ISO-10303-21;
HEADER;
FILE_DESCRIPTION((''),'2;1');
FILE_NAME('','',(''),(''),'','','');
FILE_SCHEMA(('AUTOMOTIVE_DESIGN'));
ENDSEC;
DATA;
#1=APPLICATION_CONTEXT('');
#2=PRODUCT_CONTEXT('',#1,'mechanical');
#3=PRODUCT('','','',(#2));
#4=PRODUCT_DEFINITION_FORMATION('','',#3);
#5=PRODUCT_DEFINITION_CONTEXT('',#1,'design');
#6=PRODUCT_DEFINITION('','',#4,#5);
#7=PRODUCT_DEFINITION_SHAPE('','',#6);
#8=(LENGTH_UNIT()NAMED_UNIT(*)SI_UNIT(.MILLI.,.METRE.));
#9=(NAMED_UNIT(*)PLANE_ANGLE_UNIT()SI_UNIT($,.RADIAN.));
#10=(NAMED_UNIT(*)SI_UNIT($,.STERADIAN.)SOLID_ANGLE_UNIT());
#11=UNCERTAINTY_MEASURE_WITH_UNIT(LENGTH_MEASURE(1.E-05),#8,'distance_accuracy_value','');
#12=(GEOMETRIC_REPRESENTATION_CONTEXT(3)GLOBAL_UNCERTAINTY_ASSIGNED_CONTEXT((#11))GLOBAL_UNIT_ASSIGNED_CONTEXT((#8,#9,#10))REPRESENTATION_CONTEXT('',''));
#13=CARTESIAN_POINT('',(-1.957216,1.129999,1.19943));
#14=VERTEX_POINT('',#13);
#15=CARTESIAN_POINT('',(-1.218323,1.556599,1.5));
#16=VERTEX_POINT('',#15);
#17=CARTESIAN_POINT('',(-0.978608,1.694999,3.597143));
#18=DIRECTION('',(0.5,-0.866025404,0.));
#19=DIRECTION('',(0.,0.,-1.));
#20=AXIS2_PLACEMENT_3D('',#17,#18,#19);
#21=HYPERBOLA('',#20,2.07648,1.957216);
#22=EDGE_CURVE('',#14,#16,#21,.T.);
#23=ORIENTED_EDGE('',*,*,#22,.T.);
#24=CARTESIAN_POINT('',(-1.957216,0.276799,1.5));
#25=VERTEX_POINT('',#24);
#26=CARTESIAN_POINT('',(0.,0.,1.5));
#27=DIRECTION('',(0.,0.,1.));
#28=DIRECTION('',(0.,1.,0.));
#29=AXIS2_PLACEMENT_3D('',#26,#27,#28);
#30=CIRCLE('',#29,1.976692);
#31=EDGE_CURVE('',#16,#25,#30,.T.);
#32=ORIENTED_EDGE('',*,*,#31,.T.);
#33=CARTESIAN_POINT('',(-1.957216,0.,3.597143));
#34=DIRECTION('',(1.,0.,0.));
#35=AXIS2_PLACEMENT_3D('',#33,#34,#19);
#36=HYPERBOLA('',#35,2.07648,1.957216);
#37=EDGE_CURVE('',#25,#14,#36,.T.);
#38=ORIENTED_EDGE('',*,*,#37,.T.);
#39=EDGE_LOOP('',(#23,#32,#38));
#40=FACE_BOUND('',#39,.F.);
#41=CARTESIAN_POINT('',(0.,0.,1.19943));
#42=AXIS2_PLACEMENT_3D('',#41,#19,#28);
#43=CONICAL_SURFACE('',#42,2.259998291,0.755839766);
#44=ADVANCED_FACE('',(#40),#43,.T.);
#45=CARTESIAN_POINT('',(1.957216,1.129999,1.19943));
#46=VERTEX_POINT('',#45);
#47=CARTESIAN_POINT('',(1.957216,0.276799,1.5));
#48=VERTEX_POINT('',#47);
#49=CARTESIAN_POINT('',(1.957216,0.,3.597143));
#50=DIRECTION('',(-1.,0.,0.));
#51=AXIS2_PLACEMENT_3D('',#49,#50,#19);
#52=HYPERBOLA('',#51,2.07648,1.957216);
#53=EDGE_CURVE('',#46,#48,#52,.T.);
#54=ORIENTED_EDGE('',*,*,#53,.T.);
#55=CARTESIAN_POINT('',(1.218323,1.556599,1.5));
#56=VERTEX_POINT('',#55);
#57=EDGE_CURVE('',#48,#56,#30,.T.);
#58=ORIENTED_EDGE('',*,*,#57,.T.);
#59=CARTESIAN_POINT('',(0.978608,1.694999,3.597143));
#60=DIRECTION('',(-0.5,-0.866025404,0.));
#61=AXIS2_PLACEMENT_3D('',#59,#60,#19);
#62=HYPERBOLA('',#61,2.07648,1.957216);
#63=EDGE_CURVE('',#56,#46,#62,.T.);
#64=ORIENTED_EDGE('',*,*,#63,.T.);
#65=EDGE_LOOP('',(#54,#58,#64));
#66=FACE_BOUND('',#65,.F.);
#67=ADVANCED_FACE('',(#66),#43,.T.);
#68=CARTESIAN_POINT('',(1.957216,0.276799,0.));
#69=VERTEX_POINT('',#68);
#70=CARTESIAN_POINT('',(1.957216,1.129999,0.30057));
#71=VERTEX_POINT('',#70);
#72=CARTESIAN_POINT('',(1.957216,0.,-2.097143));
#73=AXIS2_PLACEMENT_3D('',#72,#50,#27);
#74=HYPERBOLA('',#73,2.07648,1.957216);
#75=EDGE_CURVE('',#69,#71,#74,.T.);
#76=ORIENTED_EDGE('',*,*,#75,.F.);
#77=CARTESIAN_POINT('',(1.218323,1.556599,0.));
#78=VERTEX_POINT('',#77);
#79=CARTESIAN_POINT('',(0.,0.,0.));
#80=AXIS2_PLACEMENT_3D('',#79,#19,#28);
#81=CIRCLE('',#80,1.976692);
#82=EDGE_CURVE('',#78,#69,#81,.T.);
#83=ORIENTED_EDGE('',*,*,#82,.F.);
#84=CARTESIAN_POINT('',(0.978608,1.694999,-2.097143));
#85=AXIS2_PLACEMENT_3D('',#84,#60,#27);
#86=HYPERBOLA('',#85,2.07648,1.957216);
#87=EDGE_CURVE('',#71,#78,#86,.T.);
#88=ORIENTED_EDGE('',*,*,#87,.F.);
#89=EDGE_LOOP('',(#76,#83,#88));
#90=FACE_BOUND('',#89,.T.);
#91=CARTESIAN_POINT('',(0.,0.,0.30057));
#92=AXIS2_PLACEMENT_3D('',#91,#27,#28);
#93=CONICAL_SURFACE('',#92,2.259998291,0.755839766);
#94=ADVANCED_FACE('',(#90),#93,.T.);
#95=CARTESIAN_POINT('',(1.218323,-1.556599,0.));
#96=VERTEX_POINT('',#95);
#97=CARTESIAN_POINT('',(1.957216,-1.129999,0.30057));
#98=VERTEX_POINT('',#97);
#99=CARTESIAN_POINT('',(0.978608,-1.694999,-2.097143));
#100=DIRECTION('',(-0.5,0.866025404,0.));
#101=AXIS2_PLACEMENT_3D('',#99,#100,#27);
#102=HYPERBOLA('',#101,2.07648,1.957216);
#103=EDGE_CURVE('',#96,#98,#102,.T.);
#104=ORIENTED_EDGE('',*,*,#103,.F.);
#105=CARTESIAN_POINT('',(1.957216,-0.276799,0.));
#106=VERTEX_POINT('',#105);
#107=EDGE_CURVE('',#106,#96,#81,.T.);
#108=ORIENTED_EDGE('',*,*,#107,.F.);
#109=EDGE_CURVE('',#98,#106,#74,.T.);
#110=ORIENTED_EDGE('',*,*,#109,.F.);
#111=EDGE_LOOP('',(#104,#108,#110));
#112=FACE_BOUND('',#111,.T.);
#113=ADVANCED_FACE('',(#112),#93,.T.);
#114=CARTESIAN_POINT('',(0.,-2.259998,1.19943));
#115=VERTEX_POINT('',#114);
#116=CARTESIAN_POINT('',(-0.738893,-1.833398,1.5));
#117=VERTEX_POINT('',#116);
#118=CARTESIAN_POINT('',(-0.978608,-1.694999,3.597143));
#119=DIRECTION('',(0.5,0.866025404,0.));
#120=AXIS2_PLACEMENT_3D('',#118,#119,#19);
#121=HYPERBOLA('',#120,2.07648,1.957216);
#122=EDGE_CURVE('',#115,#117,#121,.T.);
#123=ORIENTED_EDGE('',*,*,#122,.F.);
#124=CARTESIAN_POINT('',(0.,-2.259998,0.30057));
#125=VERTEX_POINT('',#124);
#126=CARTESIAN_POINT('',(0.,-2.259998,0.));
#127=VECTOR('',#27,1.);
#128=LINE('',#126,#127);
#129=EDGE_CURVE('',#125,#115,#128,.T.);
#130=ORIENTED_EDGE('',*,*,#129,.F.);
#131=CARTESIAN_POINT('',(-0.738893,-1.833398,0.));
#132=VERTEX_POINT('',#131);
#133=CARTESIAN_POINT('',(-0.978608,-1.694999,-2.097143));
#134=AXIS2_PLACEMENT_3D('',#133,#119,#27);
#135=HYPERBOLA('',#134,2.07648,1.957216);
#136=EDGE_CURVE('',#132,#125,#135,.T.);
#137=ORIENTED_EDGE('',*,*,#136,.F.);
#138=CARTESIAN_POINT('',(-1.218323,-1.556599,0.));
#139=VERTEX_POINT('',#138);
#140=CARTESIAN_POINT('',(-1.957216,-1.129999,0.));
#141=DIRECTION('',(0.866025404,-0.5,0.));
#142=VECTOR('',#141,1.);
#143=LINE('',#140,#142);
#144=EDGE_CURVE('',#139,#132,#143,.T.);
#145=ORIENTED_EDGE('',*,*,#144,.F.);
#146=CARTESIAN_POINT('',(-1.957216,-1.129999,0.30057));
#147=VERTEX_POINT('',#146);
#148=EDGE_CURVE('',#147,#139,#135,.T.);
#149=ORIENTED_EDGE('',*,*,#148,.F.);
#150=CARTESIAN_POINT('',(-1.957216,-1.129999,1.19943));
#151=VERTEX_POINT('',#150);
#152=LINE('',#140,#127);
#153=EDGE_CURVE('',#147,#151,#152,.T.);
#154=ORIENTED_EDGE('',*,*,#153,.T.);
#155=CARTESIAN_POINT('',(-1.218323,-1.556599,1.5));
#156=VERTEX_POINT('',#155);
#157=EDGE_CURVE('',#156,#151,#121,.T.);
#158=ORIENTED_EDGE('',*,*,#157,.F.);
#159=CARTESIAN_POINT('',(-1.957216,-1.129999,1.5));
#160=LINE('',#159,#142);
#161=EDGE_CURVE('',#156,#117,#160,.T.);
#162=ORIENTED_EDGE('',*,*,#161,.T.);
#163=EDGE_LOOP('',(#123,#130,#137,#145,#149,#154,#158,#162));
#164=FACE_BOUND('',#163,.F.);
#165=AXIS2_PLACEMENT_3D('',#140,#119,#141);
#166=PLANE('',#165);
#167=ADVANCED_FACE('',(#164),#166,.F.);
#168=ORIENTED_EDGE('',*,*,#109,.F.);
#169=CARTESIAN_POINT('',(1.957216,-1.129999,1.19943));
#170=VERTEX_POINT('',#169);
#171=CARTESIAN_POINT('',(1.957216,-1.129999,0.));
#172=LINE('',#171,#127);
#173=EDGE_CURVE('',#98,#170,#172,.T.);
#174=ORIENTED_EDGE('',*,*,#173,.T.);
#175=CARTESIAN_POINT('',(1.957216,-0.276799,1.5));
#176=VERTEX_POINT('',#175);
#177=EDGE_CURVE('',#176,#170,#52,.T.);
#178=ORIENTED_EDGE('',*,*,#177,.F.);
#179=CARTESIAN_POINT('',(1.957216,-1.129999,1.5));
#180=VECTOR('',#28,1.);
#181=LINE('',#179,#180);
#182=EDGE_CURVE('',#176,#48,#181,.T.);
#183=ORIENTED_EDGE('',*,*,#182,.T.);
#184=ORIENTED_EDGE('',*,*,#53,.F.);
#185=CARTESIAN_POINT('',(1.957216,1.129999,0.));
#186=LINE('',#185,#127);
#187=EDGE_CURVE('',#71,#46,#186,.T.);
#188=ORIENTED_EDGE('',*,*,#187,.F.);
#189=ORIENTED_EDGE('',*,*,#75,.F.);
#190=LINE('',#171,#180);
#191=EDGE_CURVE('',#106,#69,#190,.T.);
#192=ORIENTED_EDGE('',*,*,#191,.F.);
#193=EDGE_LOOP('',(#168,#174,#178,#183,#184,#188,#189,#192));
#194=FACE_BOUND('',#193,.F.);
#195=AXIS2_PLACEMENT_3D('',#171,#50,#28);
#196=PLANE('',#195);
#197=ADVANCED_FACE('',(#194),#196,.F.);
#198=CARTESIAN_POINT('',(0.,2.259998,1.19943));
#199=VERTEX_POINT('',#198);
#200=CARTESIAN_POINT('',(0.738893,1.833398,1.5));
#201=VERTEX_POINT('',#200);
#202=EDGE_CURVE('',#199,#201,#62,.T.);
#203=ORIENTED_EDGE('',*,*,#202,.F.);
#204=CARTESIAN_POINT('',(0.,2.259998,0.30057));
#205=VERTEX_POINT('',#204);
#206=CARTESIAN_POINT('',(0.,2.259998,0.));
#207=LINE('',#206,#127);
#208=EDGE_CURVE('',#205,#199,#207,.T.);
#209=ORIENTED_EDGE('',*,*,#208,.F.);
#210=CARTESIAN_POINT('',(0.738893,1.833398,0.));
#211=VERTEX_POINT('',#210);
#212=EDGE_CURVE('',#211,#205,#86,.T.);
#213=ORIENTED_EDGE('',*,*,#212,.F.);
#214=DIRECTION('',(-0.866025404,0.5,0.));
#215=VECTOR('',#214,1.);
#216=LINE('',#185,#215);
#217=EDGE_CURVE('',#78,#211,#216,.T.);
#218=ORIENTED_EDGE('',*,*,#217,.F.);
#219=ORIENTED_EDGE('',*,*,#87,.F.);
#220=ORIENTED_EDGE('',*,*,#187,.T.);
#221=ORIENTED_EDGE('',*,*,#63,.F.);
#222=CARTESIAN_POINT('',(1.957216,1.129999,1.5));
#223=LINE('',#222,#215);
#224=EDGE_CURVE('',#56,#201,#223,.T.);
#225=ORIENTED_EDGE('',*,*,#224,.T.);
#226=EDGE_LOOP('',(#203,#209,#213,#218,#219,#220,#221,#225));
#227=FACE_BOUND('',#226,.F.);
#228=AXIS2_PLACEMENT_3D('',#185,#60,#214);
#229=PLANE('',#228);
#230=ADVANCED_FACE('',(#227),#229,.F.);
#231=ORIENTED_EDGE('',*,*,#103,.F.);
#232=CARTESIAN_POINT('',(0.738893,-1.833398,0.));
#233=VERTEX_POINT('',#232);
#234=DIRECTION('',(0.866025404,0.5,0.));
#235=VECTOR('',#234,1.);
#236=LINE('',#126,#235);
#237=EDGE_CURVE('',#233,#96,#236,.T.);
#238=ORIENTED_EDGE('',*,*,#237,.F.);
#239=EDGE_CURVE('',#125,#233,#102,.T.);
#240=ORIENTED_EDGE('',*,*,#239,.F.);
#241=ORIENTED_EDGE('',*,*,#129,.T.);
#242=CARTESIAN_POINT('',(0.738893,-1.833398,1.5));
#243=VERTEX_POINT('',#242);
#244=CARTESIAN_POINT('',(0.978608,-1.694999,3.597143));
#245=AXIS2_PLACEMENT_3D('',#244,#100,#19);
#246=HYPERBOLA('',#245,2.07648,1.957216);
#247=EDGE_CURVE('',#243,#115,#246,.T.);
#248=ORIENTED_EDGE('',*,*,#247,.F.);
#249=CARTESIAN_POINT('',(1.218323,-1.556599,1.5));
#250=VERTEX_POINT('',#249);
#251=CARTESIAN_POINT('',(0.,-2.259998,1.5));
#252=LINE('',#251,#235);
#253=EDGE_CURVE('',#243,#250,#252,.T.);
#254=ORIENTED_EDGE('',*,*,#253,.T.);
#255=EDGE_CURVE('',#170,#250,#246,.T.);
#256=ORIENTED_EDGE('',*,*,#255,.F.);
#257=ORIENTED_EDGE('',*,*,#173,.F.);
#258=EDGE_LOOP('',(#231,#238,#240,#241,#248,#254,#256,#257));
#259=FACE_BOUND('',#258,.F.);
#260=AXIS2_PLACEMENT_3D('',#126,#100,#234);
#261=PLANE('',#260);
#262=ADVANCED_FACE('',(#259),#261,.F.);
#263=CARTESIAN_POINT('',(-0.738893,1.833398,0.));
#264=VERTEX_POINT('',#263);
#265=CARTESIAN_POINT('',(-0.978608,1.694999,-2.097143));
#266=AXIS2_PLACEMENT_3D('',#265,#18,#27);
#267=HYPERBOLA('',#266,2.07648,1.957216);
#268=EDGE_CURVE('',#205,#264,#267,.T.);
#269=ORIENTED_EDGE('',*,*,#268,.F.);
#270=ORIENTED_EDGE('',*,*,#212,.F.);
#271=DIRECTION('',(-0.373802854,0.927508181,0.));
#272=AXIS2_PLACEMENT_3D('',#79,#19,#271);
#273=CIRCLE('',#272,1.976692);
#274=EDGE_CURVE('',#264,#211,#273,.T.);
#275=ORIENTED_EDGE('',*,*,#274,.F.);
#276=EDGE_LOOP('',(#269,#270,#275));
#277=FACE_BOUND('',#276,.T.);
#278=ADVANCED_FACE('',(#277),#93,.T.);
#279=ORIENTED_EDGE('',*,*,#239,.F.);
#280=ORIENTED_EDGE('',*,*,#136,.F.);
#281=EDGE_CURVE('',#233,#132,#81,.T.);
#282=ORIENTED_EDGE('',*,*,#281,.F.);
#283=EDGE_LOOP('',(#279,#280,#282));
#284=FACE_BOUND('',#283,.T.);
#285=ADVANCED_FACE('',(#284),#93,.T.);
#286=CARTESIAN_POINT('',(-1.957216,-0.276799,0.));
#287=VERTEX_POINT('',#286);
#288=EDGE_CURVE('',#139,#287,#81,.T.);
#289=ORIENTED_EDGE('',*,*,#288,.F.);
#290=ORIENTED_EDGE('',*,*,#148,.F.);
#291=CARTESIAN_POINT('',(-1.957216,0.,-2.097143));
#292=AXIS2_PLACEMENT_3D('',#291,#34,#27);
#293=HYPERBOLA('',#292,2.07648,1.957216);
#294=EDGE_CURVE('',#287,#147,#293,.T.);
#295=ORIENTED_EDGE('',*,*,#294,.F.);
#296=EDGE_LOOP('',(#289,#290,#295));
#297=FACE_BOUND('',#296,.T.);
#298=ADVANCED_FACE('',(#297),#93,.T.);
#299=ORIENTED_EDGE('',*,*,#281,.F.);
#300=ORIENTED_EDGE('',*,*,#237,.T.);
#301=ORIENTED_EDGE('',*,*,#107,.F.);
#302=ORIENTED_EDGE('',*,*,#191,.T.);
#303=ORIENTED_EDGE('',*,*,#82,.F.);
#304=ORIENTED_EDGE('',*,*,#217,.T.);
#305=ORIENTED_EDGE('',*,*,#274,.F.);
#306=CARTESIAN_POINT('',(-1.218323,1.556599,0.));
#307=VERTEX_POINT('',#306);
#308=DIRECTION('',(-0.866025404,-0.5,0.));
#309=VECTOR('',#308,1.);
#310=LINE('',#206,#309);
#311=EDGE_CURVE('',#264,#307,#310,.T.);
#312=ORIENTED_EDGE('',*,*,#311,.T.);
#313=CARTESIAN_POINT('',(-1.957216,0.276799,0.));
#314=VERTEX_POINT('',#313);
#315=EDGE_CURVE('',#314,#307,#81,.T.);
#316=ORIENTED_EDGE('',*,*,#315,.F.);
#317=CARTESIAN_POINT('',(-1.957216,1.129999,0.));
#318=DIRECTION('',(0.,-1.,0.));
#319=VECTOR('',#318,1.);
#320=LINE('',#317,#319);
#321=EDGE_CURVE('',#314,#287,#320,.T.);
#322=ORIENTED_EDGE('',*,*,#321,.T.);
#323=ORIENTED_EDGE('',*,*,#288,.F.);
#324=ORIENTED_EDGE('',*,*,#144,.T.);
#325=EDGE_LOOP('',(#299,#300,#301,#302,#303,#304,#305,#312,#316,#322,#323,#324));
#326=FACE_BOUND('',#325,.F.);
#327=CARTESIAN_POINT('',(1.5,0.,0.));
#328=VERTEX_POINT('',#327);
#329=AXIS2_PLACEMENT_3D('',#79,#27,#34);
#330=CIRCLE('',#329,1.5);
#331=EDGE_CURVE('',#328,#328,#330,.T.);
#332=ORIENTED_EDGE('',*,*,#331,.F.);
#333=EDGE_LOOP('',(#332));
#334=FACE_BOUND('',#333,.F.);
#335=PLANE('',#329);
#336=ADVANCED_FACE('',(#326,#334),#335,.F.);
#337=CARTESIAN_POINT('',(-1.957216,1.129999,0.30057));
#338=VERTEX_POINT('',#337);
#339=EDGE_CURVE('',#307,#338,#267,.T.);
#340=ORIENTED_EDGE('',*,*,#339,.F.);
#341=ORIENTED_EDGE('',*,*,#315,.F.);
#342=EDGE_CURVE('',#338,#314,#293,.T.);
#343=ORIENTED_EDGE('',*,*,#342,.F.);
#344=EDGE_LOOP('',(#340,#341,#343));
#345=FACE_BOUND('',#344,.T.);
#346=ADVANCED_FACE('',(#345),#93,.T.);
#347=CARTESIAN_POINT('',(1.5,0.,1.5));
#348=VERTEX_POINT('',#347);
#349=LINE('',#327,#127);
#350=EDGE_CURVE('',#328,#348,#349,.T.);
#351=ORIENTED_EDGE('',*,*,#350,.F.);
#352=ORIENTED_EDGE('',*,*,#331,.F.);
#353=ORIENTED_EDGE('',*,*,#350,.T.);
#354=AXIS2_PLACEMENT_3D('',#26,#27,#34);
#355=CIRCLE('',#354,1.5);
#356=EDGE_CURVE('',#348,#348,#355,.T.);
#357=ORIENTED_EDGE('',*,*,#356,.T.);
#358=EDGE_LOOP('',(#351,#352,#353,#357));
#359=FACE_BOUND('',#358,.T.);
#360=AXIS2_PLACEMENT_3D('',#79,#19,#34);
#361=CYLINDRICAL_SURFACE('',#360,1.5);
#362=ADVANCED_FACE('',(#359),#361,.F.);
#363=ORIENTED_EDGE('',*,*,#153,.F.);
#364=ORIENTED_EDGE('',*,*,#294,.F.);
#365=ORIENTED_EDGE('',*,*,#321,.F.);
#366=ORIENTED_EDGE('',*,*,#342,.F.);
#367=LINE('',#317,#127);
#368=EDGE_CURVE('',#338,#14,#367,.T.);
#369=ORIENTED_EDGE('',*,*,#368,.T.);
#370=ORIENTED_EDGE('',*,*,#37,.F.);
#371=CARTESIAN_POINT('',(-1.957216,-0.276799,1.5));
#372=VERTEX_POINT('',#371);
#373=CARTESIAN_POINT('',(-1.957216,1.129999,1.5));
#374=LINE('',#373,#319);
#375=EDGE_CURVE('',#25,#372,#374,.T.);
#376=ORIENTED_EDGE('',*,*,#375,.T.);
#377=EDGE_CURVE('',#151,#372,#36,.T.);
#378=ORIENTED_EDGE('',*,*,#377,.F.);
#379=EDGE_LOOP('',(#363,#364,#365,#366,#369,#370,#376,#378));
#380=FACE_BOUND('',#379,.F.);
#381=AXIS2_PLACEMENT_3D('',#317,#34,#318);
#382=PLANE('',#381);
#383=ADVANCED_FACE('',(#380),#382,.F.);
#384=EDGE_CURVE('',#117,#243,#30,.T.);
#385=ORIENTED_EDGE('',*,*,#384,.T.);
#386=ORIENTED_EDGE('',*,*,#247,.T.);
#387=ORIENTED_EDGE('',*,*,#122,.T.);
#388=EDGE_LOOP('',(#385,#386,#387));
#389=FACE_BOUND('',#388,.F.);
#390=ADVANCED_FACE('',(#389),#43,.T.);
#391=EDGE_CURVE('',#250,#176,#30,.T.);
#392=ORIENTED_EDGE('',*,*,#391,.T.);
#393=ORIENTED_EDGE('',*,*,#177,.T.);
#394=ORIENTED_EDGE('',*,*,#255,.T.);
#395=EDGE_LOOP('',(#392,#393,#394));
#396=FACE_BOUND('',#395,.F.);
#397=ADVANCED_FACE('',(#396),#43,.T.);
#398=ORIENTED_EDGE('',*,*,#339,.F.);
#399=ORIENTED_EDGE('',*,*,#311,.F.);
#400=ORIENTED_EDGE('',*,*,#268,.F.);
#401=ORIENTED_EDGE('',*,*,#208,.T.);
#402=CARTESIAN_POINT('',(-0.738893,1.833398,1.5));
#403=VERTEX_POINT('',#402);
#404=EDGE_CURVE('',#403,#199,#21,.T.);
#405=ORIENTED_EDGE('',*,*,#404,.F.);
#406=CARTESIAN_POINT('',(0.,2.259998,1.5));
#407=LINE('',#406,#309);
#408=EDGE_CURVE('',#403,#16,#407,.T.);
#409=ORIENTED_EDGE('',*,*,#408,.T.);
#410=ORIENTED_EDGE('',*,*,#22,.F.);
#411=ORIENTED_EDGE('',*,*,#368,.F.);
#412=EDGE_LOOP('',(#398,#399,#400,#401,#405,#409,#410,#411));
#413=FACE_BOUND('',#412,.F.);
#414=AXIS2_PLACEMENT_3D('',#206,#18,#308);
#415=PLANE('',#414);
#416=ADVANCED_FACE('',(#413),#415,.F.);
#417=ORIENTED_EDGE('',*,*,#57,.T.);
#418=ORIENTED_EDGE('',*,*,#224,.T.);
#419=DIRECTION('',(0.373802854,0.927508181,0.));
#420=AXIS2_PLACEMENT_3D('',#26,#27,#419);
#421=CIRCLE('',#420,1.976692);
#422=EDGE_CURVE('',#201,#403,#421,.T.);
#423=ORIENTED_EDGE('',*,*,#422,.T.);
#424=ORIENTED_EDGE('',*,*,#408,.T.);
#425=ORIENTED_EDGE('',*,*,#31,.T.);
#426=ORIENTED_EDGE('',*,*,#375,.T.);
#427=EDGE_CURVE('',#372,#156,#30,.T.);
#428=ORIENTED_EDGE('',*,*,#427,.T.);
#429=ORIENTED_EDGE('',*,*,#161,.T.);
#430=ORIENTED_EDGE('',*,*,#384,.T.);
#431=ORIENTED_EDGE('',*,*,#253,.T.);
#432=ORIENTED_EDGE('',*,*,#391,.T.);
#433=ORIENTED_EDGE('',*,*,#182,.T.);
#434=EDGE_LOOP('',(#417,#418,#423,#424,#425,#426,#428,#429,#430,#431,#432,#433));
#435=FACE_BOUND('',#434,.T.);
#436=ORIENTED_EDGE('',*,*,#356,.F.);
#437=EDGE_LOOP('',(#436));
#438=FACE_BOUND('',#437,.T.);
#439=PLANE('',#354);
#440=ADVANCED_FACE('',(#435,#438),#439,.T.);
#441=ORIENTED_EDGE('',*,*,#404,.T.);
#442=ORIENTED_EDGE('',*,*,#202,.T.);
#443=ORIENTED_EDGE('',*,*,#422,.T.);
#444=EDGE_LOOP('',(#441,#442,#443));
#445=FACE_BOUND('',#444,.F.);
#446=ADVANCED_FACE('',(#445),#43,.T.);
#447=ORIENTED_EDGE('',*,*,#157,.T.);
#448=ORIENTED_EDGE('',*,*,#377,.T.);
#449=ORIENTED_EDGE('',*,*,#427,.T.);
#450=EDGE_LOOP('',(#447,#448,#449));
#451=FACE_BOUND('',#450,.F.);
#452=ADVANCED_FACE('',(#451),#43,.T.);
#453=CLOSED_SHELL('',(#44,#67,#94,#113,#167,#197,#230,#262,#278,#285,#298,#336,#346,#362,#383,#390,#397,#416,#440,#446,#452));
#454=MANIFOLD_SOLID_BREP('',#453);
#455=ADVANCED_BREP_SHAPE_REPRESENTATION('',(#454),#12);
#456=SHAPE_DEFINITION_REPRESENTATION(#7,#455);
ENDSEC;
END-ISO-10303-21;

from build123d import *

# Parameters (mm, degrees)
SKETCH_1_R      = 1.5
EXTRUDE_1_DEPTH = 1.5


with BuildPart() as part:
    # 草图1 → 凸台-拉伸1 (new body)
    with BuildSketch(Plane.XY):
        Polygon((0, 2.259998291), (-1.957215932, 1.129999145), (-1.957215932, -1.129999145), (0, -2.259998291), (1.957215932, -1.129999145), (1.957215932, 1.129999145), align=None)
        Circle(SKETCH_1_R, mode=Mode.SUBTRACT)
    extrude(amount=EXTRUDE_1_DEPTH)

    # 草图2 → 切除-旋转1 (revolve, cut)
    with BuildSketch(Plane(origin=(0, 0, 0), x_dir=(0, 0, -1), z_dir=(1, 0, 0))):
        Polygon((-1.199430382, 2.259998291), (-1.569433195, 1.91124689), (-1.569433195, 2.384862388), (-1.189718912, 2.384862388), align=None)
    cut_revolve_1 = revolve(axis=Axis((0, 0, 1.5), (0, 0, -1)), mode=Mode.SUBTRACT)

    # 镜向1: 切除-旋转1 across plane
    add(cut_revolve_1.mirror(Plane(origin=(0, 0, 0.75), x_dir=(1, 0, 0), z_dir=(0, 0, -1))), mode=Mode.SUBTRACT)


solid = part.part
